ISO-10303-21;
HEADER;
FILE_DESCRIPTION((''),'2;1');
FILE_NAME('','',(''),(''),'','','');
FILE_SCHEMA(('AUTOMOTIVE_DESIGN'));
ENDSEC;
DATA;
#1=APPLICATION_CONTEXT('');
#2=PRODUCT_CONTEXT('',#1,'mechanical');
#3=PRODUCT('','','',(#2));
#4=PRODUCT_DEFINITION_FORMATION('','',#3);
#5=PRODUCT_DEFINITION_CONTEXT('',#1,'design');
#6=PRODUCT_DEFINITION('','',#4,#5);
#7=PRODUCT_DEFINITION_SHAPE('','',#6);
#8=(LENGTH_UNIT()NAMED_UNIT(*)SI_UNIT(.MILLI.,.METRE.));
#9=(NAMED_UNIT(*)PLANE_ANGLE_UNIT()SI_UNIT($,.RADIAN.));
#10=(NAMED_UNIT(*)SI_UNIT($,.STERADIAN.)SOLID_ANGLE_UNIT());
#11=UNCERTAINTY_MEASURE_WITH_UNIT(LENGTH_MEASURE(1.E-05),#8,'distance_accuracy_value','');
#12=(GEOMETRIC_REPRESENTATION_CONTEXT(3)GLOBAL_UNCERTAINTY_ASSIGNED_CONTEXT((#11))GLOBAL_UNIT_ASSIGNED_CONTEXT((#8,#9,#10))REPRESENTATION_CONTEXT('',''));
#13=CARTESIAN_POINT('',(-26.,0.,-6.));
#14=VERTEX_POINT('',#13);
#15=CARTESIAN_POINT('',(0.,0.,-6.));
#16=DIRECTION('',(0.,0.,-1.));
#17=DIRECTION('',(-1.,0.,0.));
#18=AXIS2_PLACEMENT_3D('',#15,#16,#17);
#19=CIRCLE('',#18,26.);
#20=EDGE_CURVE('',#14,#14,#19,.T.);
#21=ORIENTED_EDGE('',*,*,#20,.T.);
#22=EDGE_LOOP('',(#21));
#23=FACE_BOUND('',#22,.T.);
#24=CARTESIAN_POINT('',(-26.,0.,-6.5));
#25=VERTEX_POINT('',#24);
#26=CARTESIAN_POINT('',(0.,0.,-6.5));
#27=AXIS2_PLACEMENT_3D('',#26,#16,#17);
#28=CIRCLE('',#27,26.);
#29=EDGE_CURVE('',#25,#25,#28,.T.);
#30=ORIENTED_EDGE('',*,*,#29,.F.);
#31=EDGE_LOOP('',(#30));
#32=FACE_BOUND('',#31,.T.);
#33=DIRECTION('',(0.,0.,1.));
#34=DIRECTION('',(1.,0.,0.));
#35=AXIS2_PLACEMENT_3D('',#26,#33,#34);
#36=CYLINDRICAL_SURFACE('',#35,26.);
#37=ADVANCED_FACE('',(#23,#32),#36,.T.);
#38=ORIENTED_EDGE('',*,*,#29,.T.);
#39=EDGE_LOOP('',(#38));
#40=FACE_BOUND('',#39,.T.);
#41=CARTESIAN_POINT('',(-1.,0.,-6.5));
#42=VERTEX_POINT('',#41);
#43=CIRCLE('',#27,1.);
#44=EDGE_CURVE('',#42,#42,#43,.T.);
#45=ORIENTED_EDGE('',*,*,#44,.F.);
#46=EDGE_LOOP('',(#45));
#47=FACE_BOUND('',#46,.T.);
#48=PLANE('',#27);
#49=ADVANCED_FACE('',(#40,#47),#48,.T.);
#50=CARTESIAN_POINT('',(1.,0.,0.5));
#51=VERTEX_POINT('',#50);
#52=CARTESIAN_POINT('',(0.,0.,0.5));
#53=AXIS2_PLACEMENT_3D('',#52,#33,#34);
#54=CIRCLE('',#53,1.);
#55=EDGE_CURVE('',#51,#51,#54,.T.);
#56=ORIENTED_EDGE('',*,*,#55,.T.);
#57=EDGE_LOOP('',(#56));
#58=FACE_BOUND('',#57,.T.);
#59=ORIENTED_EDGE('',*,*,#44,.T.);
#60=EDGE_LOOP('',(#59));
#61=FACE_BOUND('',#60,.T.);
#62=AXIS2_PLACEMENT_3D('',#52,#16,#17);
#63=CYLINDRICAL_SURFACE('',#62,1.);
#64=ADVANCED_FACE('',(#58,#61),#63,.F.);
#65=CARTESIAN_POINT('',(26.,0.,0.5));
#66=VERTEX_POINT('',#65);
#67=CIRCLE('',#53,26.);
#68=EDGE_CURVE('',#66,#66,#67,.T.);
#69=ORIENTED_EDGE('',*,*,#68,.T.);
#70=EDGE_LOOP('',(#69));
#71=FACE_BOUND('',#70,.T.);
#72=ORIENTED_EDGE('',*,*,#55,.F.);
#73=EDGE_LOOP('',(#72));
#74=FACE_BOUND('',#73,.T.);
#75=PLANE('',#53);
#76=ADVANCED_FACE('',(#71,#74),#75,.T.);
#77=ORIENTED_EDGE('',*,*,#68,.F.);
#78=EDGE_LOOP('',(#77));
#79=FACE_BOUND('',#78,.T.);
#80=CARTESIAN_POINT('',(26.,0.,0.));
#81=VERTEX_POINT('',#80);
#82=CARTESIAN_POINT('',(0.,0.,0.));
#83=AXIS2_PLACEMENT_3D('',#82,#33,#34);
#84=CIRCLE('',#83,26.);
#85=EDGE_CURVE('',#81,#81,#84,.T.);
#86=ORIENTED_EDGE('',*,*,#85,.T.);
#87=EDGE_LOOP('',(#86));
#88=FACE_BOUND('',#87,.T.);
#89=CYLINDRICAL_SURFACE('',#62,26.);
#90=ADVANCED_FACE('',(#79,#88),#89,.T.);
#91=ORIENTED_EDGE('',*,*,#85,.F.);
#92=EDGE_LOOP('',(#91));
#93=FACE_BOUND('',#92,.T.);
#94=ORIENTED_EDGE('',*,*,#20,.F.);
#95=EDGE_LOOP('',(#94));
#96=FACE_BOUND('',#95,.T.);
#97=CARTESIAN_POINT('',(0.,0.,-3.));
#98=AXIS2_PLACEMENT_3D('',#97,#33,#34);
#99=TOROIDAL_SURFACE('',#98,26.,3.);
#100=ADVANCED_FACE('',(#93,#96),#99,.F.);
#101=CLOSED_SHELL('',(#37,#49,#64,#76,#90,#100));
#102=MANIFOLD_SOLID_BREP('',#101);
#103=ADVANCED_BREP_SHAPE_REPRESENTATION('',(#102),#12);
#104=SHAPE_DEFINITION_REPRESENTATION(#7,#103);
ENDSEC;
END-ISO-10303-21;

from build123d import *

# Parameters (mm, degrees)
SKETCH1_W           = 23
SKETCH1_H           = 6
SKETCH2_R           = 26
SKETCH2_R_2         = 1
BOSS_EXTRUDE1_DEPTH = 0.5
BOSS_EXTRUDE2_START = 0.5
SKETCH3_R           = 26
BOSS_EXTRUDE2_DEPTH = 0.5
SKETCH4_R           = 1
CUT_EXTRUDE2_DEPTH  = 7


with BuildPart() as part:
    # Sketch1 → Revolve1 (revolve)
    with BuildSketch(Plane(origin=(0, 0, 0), x_dir=(1, 0, 0), z_dir=(0, 1, 0))):
        with BuildLine():
            Line((23, 6), (23, 3))
            ThreePointArc((23, 3), (23.878679656, 5.121320344), (26, 6))
            Line((26, 6), (23, 6))
        make_face()
        with BuildLine():
            Line((23, 3), (23, 0))
            Line((23, 0), (26, 0))
            ThreePointArc((26, 0), (23.878679656, 0.878679656), (23, 3))
        make_face()
        with Locations((11.5, 3)):
            Rectangle(SKETCH1_W, SKETCH1_H)
    revolve(axis=Axis((0, 0, 0), (0, 0, -1)))

    # Sketch2 → Boss-Extrude1 (add)
    with BuildSketch(Plane.XY):
        Circle(SKETCH2_R)
        Circle(SKETCH2_R_2, mode=Mode.SUBTRACT)
    extrude(amount=BOSS_EXTRUDE1_DEPTH)

    # Sketch3 → Boss-Extrude2 (add)
    with BuildSketch(Plane(origin=(0, 0, -6), x_dir=(-1, 0, 0), z_dir=(0, 0, -1)).offset(BOSS_EXTRUDE2_START)):
        with Locations(Location((0, 0, 0), (0, 0, 180))):
            Circle(SKETCH3_R)
    extrude(amount=-BOSS_EXTRUDE2_DEPTH)

    # Sketch4 → Cut-Extrude2 (cut)
    with BuildSketch(Plane(origin=(0, 0, -6.5), x_dir=(-1, 0, 0), z_dir=(0, 0, -1))):
        Circle(SKETCH4_R)
    extrude(amount=-CUT_EXTRUDE2_DEPTH, mode=Mode.SUBTRACT)


solid = part.part
